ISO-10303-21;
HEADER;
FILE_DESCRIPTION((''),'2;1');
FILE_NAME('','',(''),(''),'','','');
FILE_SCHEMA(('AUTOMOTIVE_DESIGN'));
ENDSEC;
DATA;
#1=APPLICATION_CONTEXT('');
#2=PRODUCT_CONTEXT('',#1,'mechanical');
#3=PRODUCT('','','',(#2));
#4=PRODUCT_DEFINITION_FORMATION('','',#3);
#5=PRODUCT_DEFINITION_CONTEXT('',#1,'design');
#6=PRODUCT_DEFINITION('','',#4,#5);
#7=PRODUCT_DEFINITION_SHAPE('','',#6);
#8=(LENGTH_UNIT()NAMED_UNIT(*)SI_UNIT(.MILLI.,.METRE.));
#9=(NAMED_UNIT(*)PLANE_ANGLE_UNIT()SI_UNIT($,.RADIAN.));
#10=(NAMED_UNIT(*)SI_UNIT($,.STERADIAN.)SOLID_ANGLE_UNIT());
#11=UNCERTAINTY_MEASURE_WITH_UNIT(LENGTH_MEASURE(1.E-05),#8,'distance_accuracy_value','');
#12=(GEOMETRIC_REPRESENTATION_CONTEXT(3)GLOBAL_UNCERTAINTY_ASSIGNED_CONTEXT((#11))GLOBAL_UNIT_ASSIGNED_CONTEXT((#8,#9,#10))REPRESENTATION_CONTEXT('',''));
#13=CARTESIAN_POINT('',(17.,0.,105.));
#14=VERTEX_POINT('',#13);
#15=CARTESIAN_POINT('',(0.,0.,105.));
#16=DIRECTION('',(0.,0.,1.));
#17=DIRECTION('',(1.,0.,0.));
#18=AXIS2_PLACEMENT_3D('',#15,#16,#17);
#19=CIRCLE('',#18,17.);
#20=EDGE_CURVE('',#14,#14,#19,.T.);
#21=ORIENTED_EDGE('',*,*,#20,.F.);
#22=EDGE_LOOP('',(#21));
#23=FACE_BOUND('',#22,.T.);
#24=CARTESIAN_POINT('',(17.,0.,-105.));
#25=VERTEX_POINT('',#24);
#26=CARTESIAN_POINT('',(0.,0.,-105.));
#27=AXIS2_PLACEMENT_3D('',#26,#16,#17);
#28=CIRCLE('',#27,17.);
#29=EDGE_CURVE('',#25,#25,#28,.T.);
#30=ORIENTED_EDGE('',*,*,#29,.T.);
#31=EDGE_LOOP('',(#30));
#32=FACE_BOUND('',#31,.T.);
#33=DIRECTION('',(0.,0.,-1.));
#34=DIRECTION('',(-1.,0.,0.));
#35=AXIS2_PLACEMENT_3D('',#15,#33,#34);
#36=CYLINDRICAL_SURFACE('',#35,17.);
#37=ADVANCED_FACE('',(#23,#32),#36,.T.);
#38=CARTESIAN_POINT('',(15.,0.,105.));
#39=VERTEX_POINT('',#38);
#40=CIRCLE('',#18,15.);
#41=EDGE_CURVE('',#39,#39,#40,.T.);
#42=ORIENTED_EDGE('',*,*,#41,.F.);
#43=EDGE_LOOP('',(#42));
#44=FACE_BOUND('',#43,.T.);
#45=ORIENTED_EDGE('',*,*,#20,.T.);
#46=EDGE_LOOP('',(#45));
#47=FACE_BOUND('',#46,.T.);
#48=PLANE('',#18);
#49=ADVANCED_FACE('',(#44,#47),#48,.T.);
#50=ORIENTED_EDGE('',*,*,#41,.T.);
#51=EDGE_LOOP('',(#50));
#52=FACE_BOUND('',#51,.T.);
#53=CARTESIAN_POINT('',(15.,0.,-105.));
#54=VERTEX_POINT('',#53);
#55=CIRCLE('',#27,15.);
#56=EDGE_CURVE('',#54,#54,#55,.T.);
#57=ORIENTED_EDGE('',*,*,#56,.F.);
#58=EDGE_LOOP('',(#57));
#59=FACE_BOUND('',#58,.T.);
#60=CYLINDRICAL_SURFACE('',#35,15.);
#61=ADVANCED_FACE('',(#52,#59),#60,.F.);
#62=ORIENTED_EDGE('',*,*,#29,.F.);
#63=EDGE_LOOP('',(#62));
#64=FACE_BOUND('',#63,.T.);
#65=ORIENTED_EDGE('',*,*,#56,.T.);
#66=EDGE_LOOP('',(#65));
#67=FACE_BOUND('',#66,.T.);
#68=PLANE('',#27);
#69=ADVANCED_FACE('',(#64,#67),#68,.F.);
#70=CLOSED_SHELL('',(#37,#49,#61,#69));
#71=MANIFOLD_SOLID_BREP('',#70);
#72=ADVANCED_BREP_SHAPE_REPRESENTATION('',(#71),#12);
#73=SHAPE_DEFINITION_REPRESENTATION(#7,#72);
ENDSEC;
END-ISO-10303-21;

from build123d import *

# Parameters (mm, degrees)
SKETCH1_R           = 17
SKETCH1_R_2         = 15
BOSS_EXTRUDE1_DEPTH = 105


with BuildPart() as part:
    # Sketch1 → Boss-Extrude1 (new, symmetric)
    with BuildSketch(Plane.XY):
        Circle(SKETCH1_R)
        Circle(SKETCH1_R_2, mode=Mode.SUBTRACT)
    extrude(amount=BOSS_EXTRUDE1_DEPTH, both=True)


solid = part.part
